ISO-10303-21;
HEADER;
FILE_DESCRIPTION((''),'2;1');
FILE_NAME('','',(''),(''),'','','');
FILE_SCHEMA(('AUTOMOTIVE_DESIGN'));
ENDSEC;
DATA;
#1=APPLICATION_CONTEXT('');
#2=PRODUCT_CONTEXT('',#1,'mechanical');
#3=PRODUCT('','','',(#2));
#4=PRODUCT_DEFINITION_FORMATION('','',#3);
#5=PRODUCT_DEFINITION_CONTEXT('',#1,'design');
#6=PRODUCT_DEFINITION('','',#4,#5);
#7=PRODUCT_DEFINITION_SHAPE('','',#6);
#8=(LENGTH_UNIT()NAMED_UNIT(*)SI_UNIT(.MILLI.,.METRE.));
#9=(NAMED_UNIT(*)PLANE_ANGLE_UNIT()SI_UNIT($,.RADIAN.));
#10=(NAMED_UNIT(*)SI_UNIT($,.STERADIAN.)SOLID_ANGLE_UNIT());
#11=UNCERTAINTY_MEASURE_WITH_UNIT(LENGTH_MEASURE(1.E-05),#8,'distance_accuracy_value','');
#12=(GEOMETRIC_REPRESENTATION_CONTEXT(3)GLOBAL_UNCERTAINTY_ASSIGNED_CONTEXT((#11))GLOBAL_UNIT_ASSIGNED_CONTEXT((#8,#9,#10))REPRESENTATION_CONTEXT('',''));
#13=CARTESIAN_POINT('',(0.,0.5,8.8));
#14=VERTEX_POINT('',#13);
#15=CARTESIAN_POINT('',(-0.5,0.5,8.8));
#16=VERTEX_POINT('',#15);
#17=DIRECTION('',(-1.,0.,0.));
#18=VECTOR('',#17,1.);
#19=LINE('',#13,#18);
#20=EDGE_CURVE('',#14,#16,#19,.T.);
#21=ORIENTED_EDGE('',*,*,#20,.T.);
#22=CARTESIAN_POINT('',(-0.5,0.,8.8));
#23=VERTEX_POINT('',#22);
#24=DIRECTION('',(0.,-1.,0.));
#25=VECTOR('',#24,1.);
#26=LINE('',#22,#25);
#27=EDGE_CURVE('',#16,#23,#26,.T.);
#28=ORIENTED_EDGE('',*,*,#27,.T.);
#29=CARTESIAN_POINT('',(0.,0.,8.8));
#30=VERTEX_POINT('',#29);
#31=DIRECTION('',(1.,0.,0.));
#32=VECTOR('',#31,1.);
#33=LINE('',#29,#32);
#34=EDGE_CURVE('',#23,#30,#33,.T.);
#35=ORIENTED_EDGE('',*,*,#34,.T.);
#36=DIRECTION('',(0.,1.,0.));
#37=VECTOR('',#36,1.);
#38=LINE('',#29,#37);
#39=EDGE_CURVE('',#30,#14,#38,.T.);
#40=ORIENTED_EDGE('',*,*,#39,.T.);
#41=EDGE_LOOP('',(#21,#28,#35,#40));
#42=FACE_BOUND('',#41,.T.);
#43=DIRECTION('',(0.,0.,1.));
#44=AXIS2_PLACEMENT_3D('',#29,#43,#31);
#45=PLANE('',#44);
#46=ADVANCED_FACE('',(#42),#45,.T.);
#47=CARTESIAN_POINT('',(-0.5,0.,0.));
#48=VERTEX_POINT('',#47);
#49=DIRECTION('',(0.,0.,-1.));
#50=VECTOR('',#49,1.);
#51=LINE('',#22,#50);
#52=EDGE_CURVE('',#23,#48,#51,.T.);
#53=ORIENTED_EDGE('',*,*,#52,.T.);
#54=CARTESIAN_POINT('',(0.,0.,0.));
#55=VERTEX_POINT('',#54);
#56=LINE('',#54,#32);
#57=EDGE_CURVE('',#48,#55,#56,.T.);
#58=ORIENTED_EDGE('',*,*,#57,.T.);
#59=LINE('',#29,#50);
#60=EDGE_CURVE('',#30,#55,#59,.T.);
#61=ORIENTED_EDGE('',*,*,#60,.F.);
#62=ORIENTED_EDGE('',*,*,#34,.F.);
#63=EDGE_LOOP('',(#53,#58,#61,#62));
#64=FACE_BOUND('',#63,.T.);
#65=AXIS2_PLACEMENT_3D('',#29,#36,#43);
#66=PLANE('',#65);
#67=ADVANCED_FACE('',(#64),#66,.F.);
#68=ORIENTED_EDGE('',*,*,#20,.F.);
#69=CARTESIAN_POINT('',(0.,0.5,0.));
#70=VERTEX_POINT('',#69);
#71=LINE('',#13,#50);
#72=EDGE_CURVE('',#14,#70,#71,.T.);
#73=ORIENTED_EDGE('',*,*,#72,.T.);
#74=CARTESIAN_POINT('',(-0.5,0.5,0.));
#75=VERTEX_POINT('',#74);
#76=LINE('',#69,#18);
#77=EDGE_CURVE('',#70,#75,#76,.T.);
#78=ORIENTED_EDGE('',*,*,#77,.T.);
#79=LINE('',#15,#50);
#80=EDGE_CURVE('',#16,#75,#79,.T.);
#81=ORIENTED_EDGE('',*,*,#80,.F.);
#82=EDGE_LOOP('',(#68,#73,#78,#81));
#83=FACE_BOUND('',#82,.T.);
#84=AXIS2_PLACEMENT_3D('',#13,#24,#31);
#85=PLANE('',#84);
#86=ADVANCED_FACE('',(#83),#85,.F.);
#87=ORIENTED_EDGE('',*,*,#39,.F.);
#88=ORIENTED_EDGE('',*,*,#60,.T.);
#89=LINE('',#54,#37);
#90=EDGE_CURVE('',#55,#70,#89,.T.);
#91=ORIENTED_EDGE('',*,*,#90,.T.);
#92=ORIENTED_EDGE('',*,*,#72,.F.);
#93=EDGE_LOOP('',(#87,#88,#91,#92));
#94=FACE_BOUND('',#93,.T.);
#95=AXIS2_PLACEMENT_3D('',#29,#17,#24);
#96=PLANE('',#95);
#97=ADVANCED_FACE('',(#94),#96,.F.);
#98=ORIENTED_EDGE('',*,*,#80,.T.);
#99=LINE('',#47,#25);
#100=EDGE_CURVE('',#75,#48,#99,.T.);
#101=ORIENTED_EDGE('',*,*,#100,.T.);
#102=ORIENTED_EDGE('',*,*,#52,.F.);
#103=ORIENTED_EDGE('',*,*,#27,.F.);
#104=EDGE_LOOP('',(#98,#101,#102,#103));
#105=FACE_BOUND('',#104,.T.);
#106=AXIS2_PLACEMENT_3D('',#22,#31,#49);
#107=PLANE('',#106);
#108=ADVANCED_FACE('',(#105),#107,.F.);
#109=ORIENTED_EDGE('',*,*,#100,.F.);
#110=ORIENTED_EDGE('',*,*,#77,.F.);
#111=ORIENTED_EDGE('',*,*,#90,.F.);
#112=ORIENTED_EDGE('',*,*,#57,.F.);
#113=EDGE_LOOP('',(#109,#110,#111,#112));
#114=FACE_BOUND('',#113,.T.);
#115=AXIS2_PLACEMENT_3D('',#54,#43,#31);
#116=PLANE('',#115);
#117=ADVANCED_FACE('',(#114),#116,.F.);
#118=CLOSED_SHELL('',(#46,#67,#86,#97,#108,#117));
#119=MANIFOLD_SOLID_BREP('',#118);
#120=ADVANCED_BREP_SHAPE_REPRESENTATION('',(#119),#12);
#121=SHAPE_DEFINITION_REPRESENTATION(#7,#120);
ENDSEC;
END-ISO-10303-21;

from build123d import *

# Parameters (mm, degrees)
ESBO_O1_W                = 0.5
ESBO_O1_H                = 0.5
RESSALTO_EXTRUS_O1_DEPTH = 8.8


with BuildPart() as part:
    # Esboço1 → Ressalto-extrusão1 (new body)
    with BuildSketch(Plane.XY):
        with Locations((-0.25, 0.25)):
            Rectangle(ESBO_O1_W, ESBO_O1_H)
    extrude(amount=RESSALTO_EXTRUS_O1_DEPTH)


solid = part.part
